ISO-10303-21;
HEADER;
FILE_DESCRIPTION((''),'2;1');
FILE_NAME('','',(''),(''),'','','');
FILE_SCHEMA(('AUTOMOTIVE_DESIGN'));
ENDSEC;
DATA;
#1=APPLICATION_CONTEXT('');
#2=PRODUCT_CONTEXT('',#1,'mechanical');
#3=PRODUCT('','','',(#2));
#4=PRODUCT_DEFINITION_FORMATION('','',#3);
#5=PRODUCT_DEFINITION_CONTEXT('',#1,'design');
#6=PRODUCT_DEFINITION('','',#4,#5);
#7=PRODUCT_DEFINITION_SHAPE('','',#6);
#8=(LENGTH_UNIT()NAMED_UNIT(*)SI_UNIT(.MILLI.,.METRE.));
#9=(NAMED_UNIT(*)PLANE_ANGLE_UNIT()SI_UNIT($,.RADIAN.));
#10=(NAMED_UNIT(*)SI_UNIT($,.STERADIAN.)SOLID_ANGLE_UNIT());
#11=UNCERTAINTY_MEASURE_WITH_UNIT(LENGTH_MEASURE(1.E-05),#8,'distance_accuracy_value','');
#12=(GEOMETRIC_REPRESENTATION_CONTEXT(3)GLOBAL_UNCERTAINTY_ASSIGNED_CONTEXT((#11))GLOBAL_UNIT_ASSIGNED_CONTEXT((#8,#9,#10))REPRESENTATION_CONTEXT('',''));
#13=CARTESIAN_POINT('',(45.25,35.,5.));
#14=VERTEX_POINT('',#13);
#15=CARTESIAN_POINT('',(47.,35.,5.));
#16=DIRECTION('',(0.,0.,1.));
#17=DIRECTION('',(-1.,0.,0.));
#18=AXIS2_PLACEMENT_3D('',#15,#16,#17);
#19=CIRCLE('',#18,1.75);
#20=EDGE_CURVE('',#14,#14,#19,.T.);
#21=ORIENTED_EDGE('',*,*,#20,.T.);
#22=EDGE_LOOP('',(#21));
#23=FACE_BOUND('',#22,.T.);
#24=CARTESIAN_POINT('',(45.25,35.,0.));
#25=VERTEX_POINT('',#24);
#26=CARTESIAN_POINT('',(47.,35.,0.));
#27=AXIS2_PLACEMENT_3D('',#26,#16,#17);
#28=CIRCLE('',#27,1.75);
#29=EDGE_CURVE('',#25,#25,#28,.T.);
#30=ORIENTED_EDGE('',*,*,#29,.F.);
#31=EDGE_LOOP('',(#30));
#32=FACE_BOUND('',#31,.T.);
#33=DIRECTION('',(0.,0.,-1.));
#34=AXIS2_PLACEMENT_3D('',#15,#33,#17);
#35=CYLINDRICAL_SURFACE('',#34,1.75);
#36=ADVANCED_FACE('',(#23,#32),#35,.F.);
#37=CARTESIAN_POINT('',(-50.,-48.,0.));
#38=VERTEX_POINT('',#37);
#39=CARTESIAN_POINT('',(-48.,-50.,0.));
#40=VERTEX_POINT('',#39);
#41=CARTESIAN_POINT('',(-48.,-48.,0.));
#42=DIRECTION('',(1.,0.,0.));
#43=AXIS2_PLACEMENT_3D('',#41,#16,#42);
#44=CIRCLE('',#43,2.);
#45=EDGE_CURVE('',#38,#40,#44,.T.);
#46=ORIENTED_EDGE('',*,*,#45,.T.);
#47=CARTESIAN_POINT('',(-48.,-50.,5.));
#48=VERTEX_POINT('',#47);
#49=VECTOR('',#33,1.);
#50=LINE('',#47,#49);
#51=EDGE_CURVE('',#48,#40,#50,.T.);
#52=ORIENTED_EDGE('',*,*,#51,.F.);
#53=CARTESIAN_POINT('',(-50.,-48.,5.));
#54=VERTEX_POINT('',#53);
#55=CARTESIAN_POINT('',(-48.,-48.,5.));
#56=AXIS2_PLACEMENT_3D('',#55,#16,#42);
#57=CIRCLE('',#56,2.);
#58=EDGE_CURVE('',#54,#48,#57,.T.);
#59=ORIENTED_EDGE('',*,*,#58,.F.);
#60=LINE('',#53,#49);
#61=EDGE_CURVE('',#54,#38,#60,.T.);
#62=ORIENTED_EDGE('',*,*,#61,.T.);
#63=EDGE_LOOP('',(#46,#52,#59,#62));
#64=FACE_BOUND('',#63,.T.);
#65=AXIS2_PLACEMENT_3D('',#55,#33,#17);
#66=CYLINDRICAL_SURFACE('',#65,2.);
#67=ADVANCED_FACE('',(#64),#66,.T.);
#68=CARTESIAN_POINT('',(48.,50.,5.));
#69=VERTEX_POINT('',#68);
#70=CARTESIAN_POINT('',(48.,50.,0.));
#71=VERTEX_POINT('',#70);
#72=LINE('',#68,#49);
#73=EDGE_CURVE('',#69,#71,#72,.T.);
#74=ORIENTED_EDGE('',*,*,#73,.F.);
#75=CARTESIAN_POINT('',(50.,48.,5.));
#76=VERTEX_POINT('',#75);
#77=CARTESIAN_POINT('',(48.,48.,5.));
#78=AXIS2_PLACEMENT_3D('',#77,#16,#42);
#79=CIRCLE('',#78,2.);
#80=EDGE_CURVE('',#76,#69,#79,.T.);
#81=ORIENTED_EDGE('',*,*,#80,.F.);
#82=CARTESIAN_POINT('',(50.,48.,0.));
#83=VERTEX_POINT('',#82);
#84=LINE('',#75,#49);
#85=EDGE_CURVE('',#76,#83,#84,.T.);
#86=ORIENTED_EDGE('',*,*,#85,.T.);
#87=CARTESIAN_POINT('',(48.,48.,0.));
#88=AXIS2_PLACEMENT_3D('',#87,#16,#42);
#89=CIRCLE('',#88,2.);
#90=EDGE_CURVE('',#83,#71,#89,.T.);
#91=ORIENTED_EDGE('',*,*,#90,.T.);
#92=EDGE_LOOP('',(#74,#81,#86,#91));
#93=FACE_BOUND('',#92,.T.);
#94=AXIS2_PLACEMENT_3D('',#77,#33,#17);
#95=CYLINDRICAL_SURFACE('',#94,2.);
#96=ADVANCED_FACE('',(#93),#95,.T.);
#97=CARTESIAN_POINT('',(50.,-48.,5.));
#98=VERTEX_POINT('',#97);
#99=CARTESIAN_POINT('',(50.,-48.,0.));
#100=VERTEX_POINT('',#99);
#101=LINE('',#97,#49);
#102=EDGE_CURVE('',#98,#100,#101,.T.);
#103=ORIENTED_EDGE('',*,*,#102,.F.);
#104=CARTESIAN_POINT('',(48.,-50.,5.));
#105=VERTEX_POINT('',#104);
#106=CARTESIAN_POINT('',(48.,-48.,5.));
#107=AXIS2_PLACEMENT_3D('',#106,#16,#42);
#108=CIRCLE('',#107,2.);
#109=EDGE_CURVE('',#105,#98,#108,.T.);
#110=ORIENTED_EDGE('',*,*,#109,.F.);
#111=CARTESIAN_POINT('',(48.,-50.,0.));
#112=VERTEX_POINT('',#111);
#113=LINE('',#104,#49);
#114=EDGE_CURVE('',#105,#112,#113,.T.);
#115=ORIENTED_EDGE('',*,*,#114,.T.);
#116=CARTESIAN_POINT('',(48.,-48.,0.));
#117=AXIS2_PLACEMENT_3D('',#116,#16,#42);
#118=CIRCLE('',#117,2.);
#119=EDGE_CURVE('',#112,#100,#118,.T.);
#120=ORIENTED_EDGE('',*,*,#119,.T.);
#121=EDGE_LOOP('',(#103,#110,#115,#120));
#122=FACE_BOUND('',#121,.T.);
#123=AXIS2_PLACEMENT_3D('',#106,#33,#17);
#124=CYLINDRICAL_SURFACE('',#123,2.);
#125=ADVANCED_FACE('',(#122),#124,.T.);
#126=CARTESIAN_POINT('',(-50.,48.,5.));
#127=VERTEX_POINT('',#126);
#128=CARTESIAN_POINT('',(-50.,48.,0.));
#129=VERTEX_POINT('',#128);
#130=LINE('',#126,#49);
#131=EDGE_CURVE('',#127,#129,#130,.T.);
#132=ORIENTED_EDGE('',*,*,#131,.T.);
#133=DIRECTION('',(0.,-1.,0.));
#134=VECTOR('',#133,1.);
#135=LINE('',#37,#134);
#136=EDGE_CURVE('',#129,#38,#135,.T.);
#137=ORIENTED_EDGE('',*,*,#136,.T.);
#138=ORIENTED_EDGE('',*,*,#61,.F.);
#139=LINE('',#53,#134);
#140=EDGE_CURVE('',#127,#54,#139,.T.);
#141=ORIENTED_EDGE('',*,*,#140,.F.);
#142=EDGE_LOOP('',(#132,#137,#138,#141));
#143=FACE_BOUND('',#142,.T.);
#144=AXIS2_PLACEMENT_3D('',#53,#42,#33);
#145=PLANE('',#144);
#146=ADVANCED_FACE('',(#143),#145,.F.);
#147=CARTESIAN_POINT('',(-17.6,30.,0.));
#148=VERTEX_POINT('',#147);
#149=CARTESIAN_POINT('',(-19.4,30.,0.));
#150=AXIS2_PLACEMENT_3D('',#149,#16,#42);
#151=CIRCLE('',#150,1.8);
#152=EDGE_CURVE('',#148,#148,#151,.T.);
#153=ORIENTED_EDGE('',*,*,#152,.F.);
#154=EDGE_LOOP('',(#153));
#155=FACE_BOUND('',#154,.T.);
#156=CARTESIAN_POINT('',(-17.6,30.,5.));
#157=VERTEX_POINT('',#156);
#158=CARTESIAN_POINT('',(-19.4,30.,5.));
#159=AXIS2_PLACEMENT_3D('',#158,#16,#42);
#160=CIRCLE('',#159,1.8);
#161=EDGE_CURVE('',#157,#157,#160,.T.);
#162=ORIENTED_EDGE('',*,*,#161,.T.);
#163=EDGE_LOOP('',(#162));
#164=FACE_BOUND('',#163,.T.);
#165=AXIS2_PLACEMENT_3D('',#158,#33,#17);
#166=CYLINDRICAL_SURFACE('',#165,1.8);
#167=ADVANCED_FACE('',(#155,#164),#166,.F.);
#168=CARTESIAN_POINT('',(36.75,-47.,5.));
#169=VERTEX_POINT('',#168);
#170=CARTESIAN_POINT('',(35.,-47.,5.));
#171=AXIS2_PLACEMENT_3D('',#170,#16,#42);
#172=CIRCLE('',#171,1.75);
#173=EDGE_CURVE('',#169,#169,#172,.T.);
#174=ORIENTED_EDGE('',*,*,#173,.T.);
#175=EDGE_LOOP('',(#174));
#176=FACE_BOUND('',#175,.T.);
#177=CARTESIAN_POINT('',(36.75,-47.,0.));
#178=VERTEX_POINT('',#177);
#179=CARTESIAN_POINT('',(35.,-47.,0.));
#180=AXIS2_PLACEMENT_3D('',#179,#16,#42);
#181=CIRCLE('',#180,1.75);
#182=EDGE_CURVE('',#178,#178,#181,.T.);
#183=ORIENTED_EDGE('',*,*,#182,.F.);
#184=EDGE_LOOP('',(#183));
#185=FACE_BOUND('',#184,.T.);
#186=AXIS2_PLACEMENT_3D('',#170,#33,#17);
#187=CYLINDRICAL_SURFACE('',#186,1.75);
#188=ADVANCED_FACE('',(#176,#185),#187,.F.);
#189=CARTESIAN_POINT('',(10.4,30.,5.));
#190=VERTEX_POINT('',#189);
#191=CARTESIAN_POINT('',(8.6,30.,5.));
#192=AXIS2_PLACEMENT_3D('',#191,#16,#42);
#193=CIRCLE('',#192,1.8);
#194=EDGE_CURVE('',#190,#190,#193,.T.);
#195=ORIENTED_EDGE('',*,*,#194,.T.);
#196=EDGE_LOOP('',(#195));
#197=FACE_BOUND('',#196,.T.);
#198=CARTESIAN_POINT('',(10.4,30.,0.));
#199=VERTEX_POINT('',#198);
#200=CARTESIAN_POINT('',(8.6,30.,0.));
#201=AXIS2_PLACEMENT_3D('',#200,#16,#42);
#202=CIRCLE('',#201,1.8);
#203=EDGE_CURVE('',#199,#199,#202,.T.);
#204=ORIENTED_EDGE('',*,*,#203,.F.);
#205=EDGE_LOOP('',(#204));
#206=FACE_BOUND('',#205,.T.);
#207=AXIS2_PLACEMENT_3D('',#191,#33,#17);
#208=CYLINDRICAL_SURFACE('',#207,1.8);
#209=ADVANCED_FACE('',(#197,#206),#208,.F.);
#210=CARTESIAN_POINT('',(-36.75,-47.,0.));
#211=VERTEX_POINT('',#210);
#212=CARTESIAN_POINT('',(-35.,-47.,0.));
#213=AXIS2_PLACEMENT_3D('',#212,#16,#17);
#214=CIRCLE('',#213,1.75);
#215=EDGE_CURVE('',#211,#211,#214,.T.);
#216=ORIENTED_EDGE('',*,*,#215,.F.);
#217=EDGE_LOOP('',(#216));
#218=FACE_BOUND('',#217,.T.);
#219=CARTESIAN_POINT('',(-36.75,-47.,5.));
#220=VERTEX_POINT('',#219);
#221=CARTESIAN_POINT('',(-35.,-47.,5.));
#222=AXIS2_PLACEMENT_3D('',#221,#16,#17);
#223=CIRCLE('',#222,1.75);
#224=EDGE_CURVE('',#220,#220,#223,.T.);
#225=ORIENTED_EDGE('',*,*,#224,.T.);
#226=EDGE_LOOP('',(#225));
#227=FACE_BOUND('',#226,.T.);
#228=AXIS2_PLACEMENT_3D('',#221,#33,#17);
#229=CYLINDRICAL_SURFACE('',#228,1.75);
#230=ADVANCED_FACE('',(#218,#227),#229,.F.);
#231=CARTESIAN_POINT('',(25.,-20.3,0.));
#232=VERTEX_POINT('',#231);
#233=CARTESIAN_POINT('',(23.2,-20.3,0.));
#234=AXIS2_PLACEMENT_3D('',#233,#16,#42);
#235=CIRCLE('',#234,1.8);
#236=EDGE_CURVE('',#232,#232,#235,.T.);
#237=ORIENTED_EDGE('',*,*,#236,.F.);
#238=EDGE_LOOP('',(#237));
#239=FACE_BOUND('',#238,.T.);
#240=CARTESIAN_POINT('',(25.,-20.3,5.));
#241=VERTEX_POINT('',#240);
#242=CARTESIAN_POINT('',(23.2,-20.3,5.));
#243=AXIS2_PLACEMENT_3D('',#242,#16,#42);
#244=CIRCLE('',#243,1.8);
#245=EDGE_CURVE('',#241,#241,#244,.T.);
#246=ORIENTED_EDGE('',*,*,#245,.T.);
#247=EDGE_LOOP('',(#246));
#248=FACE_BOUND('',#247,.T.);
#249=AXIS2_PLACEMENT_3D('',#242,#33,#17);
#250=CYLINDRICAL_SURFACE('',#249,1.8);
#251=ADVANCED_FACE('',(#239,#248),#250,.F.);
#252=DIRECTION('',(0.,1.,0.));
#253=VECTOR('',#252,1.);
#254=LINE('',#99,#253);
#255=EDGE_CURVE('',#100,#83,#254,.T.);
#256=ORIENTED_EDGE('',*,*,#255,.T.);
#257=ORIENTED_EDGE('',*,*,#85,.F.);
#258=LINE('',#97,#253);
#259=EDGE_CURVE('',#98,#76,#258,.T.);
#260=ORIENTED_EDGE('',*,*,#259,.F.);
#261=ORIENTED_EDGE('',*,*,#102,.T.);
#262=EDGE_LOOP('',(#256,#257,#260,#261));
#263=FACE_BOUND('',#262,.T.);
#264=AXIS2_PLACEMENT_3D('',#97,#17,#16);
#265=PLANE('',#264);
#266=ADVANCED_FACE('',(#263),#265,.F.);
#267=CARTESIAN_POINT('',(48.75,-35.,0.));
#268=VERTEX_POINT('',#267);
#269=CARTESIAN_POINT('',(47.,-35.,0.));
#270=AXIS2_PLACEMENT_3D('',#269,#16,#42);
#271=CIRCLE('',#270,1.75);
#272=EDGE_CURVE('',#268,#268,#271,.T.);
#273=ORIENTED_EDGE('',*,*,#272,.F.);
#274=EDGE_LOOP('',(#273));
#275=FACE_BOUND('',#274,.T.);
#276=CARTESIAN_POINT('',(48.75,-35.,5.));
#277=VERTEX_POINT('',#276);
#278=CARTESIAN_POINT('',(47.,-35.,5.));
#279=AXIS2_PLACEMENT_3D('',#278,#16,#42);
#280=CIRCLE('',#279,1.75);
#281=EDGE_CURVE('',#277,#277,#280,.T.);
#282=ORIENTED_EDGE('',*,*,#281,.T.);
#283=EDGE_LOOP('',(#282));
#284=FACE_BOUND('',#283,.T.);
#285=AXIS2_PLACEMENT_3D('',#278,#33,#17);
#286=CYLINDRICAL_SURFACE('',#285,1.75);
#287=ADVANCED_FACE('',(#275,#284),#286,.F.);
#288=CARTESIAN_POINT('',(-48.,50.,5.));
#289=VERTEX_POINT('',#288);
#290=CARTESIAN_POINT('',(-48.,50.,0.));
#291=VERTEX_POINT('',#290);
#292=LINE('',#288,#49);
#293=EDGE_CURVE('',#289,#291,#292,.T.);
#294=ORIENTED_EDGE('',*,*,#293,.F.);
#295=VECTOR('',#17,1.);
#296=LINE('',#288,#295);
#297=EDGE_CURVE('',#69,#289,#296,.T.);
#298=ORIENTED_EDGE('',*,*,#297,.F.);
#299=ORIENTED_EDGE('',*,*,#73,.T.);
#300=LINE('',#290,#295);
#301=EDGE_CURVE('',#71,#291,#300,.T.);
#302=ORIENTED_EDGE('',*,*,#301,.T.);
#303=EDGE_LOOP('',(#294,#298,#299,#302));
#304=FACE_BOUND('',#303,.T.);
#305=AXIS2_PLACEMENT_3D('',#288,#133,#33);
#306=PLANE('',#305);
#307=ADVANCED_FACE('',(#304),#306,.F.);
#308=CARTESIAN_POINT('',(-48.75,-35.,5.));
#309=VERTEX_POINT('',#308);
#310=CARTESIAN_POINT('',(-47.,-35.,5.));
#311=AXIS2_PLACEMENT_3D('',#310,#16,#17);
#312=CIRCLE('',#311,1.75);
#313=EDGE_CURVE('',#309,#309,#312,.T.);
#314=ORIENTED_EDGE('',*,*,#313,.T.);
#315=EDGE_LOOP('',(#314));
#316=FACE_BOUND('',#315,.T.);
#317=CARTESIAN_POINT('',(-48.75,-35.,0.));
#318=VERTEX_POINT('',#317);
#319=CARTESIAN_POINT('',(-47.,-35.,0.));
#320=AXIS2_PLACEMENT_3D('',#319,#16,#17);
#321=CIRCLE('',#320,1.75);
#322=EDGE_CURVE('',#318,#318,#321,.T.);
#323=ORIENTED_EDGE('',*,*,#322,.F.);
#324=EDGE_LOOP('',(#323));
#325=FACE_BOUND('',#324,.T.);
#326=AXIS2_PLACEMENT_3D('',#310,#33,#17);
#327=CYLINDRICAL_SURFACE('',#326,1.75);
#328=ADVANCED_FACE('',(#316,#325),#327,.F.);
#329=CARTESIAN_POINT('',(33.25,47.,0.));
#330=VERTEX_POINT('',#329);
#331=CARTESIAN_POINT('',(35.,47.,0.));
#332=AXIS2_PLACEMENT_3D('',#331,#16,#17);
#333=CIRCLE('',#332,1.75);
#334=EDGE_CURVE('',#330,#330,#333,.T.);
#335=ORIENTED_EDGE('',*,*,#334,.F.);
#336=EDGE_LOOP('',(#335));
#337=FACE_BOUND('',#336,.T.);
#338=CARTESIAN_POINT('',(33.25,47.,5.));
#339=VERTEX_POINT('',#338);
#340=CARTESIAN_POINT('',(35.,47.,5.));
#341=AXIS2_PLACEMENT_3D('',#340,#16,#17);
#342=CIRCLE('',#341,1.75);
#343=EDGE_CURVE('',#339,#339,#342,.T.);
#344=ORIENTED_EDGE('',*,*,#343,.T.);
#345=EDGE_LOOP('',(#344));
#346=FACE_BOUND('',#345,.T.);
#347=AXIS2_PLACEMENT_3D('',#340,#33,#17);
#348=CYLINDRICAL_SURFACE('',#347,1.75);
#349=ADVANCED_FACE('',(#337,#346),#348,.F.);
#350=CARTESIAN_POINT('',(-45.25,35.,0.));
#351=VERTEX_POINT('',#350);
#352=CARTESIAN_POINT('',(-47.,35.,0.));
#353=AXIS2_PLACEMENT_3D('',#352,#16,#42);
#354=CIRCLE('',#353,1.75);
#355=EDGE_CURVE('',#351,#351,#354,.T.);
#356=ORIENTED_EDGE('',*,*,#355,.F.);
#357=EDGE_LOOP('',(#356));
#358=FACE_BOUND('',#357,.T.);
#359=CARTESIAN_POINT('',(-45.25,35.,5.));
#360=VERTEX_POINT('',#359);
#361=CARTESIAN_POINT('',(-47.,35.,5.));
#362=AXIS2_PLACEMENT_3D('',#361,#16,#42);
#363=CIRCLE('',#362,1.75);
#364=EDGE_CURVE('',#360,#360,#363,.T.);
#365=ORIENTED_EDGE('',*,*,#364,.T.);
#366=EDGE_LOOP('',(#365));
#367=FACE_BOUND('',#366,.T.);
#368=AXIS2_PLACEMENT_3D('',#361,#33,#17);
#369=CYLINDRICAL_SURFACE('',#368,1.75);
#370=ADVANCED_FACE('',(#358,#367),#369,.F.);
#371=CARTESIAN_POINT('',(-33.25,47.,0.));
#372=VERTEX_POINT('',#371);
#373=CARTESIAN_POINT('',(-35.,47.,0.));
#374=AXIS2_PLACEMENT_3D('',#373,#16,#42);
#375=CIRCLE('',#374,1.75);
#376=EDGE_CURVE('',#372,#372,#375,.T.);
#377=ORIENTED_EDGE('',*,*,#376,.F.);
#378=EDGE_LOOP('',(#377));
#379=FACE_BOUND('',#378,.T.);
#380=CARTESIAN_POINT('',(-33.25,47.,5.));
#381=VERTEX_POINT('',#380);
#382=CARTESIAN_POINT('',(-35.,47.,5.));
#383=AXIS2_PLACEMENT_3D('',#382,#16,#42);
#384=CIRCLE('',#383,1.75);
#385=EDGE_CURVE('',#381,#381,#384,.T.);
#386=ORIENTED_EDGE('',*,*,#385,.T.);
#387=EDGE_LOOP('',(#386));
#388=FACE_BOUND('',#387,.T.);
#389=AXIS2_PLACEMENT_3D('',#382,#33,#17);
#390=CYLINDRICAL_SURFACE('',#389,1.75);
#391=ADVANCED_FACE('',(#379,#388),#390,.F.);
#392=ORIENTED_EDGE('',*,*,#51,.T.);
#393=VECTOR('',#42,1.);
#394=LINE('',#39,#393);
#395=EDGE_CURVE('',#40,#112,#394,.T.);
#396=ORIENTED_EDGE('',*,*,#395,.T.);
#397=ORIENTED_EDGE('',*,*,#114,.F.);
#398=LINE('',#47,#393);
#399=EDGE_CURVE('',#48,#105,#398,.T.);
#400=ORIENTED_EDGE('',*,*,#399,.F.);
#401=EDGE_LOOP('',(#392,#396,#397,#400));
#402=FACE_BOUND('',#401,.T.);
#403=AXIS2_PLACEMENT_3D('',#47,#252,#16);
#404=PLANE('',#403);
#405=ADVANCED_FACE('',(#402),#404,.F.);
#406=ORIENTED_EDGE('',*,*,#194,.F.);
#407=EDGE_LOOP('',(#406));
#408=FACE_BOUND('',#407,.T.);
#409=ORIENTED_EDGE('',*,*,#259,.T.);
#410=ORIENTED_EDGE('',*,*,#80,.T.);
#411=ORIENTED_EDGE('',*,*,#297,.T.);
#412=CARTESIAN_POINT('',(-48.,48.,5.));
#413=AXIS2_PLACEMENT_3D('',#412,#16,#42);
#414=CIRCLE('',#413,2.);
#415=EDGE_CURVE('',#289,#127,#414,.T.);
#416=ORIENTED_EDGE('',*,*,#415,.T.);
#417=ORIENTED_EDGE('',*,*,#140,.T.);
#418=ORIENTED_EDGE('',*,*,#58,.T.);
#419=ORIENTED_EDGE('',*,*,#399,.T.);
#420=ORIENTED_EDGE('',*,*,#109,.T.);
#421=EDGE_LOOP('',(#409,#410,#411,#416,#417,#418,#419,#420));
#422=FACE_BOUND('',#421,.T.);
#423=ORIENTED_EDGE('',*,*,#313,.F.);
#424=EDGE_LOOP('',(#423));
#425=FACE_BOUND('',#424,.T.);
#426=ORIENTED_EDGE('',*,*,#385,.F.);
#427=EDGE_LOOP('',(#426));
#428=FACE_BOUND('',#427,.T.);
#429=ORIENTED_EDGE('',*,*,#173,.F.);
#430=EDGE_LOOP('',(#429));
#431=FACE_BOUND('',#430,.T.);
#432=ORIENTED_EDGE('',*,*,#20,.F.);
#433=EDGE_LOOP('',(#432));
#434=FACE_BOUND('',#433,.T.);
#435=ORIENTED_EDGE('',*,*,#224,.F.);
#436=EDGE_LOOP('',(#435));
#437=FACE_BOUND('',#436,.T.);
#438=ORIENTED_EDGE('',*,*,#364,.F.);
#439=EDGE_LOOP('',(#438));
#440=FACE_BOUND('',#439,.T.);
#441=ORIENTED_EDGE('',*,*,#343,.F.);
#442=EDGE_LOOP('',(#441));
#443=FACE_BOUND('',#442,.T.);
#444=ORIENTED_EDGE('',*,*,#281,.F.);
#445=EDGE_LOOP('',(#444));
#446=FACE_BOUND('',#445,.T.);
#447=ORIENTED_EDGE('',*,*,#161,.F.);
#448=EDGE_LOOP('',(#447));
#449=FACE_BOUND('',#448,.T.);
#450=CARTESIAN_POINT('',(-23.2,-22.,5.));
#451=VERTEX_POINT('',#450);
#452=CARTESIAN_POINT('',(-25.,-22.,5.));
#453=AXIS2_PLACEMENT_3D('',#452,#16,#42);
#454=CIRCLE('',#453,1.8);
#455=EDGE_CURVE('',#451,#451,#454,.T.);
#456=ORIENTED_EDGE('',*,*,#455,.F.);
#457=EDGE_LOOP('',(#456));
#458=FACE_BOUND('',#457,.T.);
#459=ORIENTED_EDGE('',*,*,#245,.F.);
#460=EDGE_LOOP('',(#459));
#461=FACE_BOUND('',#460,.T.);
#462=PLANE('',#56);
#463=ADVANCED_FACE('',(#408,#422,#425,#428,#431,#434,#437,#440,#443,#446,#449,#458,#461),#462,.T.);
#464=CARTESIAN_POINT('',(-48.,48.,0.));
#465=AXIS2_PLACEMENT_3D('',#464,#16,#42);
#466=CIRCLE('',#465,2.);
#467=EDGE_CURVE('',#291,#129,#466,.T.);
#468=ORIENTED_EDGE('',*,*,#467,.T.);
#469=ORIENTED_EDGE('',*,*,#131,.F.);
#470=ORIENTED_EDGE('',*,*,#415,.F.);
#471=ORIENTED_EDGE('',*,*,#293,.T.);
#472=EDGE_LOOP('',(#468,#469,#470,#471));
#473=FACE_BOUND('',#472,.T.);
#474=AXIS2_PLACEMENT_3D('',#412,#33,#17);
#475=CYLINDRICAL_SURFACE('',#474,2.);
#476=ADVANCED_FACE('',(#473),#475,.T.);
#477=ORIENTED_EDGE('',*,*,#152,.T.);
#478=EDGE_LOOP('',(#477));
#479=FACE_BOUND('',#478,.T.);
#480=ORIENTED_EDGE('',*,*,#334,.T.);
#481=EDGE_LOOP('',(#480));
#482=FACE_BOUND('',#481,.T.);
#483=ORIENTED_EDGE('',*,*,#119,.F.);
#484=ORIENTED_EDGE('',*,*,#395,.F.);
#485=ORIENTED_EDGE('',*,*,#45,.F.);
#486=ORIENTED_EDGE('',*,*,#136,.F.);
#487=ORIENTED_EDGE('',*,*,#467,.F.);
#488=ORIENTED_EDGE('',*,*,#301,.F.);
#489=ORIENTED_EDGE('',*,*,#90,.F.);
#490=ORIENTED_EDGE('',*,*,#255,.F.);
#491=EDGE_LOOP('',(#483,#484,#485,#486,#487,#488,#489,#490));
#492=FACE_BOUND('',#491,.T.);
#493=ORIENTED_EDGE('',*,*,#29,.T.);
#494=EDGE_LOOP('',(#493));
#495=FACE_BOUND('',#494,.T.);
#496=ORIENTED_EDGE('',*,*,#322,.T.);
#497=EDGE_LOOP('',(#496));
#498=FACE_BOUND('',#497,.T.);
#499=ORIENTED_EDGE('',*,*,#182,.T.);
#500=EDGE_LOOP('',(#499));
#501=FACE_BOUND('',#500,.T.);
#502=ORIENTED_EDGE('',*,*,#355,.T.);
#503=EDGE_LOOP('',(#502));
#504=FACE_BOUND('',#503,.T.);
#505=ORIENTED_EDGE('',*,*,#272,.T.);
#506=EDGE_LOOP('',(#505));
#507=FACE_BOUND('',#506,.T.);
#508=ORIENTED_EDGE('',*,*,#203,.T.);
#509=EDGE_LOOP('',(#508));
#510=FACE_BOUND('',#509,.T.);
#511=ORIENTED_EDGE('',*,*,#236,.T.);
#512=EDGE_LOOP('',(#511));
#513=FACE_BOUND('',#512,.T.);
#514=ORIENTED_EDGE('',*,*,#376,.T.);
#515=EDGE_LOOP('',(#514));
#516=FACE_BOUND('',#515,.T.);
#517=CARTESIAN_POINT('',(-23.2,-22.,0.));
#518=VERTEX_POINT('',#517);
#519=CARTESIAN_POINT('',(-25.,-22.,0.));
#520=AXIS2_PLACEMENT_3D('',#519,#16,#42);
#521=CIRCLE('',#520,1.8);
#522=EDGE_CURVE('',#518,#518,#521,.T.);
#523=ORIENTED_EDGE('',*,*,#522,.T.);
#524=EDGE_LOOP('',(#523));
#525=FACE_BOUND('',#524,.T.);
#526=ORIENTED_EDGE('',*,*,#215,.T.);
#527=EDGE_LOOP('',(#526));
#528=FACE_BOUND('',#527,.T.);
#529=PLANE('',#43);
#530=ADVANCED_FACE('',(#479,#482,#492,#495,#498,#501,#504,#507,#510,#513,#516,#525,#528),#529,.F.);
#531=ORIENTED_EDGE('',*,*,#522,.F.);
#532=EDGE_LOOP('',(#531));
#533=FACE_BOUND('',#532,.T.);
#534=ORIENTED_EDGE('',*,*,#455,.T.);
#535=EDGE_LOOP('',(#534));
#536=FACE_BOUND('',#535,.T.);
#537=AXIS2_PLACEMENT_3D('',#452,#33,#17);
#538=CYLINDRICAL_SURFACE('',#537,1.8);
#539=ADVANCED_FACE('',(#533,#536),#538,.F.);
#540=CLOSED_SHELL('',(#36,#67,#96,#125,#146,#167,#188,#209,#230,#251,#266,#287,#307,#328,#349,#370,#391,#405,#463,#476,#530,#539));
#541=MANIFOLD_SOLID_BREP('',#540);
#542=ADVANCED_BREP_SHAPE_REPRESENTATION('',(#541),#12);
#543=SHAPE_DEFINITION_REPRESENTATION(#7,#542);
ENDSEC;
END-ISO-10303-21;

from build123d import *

# Parameters (mm, degrees)
SKETCH_1_R      = 1.75
SKETCH_1_R_2    = 1.8
EXTRUDE_1_DEPTH = 5


with BuildPart() as part:
    # Эскиз1 → Бобышка-Вытянуть1 (new body)
    with BuildSketch(Plane.XY):
        with BuildLine():
            Line((-48, -50), (48, -50))
            ThreePointArc((48, -50), (49.414213562, -49.414213562), (50, -48))
            Line((50, -48), (50, 48))
            ThreePointArc((50, 48), (49.414213562, 49.414213562), (48, 50))
            Line((48, 50), (-48, 50))
            ThreePointArc((-48, 50), (-49.414213562, 49.414213562), (-50, 48))
            Line((-50, 48), (-50, -48))
            ThreePointArc((-50, -48), (-49.414213562, -49.414213562), (-48, -50))
        make_face()
        with Locations((-47, 35)):
            Circle(SKETCH_1_R, mode=Mode.SUBTRACT)
        with Locations((47, 35)):
            Circle(SKETCH_1_R, mode=Mode.SUBTRACT)
        with Locations((47, -35)):
            Circle(SKETCH_1_R, mode=Mode.SUBTRACT)
        with Locations((-47, -35)):
            Circle(SKETCH_1_R, mode=Mode.SUBTRACT)
        with Locations((-35, 47)):
            Circle(SKETCH_1_R, mode=Mode.SUBTRACT)
        with Locations((35, 47)):
            Circle(SKETCH_1_R, mode=Mode.SUBTRACT)
        with Locations((-35, -47)):
            Circle(SKETCH_1_R, mode=Mode.SUBTRACT)
        with Locations((35, -47)):
            Circle(SKETCH_1_R, mode=Mode.SUBTRACT)
        with Locations((-19.4, 30)):
            Circle(SKETCH_1_R_2, mode=Mode.SUBTRACT)
        with Locations((8.6, 30)):
            Circle(SKETCH_1_R_2, mode=Mode.SUBTRACT)
        with Locations((-25, -22)):
            Circle(SKETCH_1_R_2, mode=Mode.SUBTRACT)
        with Locations((23.2, -20.3)):
            Circle(SKETCH_1_R_2, mode=Mode.SUBTRACT)
    extrude(amount=EXTRUDE_1_DEPTH)


solid = part.part
